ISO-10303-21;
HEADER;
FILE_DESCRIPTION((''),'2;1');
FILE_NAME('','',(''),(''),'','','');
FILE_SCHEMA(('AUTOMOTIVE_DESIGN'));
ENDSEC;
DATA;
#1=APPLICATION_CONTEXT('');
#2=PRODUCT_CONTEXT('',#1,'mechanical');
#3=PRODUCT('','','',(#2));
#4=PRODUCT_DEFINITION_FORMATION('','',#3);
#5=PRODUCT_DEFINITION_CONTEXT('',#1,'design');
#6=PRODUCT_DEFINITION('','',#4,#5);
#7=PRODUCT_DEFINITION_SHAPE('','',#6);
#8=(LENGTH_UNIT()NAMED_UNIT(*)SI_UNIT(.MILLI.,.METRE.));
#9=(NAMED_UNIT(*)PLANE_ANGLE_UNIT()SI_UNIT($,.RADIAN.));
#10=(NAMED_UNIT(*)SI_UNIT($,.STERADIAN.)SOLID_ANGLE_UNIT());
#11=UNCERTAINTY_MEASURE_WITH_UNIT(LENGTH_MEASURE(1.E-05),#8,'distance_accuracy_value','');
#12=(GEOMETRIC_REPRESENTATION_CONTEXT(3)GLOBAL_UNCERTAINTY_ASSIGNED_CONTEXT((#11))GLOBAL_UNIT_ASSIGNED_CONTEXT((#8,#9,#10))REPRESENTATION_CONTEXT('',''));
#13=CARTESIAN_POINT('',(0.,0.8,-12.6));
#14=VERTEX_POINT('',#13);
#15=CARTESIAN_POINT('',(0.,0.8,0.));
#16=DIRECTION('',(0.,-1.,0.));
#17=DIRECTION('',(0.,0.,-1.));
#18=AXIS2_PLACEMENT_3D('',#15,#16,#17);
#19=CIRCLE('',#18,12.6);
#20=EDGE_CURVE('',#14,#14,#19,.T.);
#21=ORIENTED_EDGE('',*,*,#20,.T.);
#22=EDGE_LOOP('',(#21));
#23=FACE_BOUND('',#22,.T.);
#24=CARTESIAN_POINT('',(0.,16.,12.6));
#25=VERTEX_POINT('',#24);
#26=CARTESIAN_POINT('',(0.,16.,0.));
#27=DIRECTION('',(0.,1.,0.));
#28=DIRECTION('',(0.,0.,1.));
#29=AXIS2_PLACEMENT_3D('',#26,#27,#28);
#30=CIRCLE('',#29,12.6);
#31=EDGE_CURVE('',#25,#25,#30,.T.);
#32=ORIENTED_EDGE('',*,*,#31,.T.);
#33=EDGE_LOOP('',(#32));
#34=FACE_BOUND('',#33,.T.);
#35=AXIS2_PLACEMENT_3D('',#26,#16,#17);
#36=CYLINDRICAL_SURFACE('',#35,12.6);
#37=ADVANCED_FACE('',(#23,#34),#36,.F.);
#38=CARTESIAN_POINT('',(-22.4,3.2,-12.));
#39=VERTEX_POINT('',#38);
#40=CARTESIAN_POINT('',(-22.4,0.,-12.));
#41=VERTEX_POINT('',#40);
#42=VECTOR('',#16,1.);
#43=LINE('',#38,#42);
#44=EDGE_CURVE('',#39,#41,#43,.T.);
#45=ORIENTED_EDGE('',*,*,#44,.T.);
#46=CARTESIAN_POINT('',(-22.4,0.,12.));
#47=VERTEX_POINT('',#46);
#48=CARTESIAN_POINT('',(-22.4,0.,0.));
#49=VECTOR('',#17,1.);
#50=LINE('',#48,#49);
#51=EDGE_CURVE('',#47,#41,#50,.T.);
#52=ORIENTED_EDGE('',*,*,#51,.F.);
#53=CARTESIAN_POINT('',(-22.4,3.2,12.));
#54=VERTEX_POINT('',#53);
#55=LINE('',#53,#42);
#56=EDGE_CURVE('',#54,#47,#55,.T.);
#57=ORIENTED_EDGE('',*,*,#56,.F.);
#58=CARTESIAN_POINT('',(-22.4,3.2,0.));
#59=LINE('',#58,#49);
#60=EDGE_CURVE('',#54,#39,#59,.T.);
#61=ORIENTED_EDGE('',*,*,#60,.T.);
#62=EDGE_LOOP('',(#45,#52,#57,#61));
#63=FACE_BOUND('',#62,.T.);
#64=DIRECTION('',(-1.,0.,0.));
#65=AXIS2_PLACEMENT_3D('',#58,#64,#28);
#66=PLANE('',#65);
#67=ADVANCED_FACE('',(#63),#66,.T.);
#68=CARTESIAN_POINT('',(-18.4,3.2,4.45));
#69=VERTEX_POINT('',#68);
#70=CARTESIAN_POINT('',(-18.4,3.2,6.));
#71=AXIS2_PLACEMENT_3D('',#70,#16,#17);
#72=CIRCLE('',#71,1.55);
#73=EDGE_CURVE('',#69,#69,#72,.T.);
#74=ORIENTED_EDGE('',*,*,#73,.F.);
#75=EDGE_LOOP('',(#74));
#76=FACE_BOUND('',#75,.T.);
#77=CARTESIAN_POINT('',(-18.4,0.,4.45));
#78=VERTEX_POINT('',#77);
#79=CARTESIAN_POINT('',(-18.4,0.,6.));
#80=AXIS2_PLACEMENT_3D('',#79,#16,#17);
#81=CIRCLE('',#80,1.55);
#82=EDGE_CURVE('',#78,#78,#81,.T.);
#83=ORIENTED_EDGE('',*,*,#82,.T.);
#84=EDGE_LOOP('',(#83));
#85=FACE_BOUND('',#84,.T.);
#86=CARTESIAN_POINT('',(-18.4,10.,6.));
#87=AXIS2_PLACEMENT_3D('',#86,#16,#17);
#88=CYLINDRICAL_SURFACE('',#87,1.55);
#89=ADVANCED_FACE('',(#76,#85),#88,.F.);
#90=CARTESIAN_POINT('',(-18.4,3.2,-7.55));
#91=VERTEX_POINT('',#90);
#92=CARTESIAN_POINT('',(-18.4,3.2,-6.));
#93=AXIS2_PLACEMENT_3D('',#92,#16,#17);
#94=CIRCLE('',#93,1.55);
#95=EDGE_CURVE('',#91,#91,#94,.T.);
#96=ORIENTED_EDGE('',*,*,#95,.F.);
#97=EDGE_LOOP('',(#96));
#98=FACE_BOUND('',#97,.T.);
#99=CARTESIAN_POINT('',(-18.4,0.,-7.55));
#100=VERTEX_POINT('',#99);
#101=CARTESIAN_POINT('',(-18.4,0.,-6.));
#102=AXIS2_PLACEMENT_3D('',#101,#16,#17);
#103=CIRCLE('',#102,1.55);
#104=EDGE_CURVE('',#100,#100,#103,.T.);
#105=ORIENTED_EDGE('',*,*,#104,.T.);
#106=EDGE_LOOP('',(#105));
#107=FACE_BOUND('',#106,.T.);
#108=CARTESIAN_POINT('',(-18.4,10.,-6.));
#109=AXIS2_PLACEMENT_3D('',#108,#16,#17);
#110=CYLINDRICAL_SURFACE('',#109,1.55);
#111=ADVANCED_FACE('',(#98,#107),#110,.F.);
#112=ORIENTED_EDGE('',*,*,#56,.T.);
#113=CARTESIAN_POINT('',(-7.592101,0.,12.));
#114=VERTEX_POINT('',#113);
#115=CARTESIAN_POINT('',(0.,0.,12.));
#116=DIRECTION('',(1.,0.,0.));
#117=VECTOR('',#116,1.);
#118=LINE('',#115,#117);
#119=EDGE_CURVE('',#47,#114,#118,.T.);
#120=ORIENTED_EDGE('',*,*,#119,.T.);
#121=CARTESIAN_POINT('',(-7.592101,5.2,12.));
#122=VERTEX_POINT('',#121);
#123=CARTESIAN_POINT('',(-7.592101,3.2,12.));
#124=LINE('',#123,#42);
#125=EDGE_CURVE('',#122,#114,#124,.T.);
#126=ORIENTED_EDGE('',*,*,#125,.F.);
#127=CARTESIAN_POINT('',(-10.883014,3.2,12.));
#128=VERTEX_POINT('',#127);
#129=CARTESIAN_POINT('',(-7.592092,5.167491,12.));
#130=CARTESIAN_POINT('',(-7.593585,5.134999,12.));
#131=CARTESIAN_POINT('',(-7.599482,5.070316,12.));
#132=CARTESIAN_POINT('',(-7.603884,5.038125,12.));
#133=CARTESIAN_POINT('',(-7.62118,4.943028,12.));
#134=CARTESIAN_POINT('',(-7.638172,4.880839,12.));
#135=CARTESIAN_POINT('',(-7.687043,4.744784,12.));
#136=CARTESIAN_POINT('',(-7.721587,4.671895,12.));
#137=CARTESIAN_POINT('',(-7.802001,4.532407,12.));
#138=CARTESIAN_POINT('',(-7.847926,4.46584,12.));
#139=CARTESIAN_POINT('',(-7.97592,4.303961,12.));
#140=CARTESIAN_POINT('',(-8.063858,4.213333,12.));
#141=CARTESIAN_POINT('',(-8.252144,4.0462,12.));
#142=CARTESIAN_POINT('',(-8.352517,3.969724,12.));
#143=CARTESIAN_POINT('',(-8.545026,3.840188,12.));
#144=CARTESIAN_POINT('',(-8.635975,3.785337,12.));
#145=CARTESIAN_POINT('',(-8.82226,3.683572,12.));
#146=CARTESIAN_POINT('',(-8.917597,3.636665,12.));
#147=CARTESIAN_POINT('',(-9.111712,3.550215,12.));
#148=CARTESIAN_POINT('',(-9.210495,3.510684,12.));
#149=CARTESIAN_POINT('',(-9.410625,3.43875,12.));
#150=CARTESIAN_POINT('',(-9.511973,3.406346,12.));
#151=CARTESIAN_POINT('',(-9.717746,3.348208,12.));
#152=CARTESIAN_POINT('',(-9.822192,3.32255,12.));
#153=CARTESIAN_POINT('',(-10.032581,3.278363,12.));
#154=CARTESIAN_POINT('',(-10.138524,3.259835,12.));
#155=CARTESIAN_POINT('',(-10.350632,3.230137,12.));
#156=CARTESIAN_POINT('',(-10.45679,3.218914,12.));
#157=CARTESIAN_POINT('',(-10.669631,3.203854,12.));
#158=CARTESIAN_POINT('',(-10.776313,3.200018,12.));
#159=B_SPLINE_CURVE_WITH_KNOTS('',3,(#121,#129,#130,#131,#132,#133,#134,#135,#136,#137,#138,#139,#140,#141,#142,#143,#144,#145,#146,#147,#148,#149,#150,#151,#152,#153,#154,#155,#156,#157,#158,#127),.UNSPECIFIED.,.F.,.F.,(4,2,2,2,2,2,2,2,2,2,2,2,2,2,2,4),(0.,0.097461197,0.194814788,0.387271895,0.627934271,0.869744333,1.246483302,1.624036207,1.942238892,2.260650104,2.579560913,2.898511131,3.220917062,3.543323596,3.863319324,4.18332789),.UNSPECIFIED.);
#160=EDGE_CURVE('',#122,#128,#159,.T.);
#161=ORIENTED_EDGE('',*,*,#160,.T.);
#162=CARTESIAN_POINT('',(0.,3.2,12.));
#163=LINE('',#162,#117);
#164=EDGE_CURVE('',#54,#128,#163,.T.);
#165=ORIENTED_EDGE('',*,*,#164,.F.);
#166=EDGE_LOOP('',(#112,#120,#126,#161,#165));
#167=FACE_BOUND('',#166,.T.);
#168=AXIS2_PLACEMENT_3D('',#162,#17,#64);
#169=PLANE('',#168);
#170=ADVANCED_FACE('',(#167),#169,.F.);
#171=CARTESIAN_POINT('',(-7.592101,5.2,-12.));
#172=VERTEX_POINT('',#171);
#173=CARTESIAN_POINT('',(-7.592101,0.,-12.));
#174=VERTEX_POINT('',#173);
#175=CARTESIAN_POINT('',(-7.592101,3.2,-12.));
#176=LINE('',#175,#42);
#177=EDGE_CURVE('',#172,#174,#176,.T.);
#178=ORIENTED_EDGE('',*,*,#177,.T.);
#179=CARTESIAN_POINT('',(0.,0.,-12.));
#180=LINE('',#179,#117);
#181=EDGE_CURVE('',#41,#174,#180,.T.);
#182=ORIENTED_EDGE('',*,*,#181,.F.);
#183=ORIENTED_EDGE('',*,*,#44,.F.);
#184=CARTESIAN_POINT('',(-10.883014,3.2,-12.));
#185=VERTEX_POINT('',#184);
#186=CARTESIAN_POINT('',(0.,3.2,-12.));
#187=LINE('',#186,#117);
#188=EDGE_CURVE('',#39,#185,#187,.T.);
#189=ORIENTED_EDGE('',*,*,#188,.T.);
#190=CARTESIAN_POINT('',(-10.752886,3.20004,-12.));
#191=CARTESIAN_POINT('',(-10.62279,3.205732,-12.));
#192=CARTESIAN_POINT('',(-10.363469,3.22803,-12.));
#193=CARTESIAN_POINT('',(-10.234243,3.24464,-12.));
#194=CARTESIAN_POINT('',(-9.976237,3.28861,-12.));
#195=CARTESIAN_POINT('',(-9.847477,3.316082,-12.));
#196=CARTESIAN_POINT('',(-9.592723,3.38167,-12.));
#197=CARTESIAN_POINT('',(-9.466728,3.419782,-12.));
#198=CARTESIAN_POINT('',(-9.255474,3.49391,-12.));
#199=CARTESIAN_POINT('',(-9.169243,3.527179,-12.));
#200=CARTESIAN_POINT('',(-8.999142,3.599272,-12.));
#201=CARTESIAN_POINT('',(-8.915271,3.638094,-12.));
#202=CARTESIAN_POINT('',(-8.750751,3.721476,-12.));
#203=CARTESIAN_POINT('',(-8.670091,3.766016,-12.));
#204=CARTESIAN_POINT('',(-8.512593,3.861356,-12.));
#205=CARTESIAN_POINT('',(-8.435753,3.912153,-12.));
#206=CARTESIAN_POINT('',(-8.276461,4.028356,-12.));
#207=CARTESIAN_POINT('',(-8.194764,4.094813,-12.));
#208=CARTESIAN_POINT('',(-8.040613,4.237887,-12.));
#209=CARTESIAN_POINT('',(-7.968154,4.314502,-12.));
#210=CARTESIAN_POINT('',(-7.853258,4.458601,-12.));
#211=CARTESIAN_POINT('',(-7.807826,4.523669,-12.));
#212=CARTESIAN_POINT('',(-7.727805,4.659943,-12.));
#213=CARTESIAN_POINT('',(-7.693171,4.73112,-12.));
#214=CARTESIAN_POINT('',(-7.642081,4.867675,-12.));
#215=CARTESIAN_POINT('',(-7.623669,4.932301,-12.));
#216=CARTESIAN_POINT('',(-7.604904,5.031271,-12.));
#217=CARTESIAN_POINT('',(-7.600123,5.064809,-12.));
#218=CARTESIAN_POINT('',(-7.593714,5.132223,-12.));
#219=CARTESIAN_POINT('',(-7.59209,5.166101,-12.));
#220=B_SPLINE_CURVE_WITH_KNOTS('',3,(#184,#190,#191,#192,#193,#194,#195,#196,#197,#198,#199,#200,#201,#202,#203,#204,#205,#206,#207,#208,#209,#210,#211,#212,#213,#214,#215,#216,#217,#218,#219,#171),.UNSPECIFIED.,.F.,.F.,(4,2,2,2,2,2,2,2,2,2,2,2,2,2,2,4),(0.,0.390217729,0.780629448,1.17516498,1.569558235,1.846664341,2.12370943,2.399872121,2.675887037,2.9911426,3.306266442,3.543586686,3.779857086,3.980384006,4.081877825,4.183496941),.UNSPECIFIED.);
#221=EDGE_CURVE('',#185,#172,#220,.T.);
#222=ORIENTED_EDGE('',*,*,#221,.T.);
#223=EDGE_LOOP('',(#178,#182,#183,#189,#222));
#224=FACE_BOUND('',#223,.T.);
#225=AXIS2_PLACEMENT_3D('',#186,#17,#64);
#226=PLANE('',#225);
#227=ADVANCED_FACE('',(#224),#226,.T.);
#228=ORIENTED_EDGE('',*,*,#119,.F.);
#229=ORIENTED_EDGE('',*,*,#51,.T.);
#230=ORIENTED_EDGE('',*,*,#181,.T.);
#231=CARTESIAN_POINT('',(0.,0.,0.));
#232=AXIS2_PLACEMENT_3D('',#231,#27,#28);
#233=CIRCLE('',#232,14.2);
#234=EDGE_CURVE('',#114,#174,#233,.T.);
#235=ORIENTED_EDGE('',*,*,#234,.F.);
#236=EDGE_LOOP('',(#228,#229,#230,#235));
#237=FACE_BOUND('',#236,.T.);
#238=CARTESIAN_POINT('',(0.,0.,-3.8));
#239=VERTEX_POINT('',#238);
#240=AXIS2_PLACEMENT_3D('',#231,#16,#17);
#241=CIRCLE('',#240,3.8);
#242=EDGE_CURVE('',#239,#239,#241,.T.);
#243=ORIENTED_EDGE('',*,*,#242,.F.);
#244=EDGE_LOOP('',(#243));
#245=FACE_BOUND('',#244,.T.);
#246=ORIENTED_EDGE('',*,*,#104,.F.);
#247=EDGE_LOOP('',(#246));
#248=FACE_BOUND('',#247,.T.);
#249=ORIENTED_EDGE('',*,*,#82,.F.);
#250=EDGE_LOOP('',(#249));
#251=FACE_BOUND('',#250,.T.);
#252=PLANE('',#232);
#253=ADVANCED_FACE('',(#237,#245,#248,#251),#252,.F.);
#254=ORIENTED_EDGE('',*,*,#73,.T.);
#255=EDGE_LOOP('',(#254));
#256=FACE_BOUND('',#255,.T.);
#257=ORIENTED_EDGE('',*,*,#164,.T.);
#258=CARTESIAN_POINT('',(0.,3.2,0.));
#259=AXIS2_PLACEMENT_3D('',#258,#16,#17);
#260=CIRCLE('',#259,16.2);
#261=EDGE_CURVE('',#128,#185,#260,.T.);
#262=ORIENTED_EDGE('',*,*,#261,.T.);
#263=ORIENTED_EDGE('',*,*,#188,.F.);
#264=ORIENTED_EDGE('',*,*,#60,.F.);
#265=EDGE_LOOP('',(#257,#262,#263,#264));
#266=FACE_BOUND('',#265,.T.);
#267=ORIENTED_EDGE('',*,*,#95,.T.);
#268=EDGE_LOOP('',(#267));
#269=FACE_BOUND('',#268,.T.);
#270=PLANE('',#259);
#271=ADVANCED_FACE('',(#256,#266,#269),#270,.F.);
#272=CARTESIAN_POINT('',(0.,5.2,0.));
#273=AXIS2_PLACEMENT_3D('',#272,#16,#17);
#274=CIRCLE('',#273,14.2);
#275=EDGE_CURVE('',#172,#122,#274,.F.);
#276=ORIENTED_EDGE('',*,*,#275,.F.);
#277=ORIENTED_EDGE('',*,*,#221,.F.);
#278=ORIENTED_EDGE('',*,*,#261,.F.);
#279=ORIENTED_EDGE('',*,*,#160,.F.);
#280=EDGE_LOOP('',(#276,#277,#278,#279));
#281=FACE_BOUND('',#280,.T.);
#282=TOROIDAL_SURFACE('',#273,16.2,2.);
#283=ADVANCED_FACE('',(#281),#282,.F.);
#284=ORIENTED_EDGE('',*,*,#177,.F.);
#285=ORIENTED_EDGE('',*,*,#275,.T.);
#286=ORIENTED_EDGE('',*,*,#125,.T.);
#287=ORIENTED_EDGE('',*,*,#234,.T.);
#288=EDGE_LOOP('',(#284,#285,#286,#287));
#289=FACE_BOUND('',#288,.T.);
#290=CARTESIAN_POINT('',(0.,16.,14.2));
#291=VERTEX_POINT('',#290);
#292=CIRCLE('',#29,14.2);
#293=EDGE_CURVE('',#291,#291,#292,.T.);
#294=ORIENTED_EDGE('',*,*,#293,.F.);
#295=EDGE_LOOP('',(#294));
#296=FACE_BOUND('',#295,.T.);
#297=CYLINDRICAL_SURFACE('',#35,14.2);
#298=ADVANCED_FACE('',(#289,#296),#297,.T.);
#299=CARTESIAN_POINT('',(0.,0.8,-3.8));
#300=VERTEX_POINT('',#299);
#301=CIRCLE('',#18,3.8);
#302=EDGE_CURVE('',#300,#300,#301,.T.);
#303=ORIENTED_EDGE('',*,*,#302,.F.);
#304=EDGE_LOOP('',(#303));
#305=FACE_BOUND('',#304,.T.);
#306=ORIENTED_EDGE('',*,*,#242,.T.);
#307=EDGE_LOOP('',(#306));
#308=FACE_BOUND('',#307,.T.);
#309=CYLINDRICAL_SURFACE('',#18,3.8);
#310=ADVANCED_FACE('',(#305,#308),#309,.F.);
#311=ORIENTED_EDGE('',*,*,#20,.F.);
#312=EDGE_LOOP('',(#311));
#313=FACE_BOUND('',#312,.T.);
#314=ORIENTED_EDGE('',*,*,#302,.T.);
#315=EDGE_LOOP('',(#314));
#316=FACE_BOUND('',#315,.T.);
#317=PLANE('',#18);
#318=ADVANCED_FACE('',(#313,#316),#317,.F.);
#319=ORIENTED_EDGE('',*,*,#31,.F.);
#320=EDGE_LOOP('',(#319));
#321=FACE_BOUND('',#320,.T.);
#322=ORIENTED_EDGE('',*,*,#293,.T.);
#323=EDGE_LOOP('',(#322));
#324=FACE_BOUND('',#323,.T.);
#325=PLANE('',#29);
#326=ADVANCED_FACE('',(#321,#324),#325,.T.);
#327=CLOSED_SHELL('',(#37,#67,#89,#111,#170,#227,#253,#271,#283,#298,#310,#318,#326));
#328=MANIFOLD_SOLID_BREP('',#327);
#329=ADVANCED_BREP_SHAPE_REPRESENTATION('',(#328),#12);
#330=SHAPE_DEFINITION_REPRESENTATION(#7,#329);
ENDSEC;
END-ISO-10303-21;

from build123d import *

# Parameters (mm, degrees)
SKETCH1_R           = 14.2
SKETCH1_R_2         = 12.6
BOSS_EXTRUDE1_DEPTH = 16
BOSS_EXTRUDE2_DEPTH = 3.2
SKETCH3_R           = 1.55
CUT_EXTRUDE1_DEPTH  = 10
FILLET1_R           = 2
SKETCH4_R           = 12.6
SKETCH4_R_2         = 3.8
BOSS_EXTRUDE3_DEPTH = 0.8


with BuildPart() as part:
    # Sketch1 → Boss-Extrude1 (new body)
    with BuildSketch(Plane(origin=(0, 0, 0), x_dir=(1, 0, 0), z_dir=(0, 1, 0))):
        with Locations(Location((0, 0, 0), (0, 0, 270))):
            Circle(SKETCH1_R)
        with Locations(Location((0, 0, 0), (0, 0, 270))):
            Circle(SKETCH1_R_2, mode=Mode.SUBTRACT)
    extrude(amount=BOSS_EXTRUDE1_DEPTH)

    # Sketch2 → Boss-Extrude2 (add)
    with BuildSketch(Plane(origin=(0, 0, 0), x_dir=(-1, 0, 0), z_dir=(0, -1, 0))):
        with BuildLine():
            Line((7.592101158, -12), (22.4, -12))
            Line((22.4, -12), (22.4, 12))
            Line((22.4, 12), (7.592101158, 12))
            ThreePointArc((7.592101158, 12), (12.438806945, 6.8495315), (14.2, 0))
            ThreePointArc((14.2, 0), (12.438806945, -6.8495315), (7.592101158, -12))
        make_face()
    extrude(amount=-BOSS_EXTRUDE2_DEPTH)

    # Sketch3 → Cut-Extrude1 (cut)
    with BuildSketch(Plane(origin=(0, 0, 0), x_dir=(-1, 0, 0), z_dir=(0, -1, 0))):
        with Locations(Location((18.4, 6, 0), (0, 0, 90))):
            Circle(SKETCH3_R)
        with Locations(Location((18.4, -6, 0), (0, 0, 90))):
            Circle(SKETCH3_R)
    extrude(amount=-CUT_EXTRUDE1_DEPTH, mode=Mode.SUBTRACT)

    # Fillet1
    fillet1_edges = [part.edges().sort_by_distance(p)[0] for p in [
        (-14.2, 3.2, 0),
    ]]
    fillet(fillet1_edges, radius=FILLET1_R)

    # Sketch4 → Boss-Extrude3 (add)
    with BuildSketch(Plane(origin=(0, 0, 0), x_dir=(-1, 0, 0), z_dir=(0, -1, 0))):
        with Locations(Location((0, 0, 0), (0, 0, 90))):
            Circle(SKETCH4_R)
        with Locations(Location((0, 0, 0), (0, 0, 90))):
            Circle(SKETCH4_R_2, mode=Mode.SUBTRACT)
    extrude(amount=-BOSS_EXTRUDE3_DEPTH)


solid = part.part
